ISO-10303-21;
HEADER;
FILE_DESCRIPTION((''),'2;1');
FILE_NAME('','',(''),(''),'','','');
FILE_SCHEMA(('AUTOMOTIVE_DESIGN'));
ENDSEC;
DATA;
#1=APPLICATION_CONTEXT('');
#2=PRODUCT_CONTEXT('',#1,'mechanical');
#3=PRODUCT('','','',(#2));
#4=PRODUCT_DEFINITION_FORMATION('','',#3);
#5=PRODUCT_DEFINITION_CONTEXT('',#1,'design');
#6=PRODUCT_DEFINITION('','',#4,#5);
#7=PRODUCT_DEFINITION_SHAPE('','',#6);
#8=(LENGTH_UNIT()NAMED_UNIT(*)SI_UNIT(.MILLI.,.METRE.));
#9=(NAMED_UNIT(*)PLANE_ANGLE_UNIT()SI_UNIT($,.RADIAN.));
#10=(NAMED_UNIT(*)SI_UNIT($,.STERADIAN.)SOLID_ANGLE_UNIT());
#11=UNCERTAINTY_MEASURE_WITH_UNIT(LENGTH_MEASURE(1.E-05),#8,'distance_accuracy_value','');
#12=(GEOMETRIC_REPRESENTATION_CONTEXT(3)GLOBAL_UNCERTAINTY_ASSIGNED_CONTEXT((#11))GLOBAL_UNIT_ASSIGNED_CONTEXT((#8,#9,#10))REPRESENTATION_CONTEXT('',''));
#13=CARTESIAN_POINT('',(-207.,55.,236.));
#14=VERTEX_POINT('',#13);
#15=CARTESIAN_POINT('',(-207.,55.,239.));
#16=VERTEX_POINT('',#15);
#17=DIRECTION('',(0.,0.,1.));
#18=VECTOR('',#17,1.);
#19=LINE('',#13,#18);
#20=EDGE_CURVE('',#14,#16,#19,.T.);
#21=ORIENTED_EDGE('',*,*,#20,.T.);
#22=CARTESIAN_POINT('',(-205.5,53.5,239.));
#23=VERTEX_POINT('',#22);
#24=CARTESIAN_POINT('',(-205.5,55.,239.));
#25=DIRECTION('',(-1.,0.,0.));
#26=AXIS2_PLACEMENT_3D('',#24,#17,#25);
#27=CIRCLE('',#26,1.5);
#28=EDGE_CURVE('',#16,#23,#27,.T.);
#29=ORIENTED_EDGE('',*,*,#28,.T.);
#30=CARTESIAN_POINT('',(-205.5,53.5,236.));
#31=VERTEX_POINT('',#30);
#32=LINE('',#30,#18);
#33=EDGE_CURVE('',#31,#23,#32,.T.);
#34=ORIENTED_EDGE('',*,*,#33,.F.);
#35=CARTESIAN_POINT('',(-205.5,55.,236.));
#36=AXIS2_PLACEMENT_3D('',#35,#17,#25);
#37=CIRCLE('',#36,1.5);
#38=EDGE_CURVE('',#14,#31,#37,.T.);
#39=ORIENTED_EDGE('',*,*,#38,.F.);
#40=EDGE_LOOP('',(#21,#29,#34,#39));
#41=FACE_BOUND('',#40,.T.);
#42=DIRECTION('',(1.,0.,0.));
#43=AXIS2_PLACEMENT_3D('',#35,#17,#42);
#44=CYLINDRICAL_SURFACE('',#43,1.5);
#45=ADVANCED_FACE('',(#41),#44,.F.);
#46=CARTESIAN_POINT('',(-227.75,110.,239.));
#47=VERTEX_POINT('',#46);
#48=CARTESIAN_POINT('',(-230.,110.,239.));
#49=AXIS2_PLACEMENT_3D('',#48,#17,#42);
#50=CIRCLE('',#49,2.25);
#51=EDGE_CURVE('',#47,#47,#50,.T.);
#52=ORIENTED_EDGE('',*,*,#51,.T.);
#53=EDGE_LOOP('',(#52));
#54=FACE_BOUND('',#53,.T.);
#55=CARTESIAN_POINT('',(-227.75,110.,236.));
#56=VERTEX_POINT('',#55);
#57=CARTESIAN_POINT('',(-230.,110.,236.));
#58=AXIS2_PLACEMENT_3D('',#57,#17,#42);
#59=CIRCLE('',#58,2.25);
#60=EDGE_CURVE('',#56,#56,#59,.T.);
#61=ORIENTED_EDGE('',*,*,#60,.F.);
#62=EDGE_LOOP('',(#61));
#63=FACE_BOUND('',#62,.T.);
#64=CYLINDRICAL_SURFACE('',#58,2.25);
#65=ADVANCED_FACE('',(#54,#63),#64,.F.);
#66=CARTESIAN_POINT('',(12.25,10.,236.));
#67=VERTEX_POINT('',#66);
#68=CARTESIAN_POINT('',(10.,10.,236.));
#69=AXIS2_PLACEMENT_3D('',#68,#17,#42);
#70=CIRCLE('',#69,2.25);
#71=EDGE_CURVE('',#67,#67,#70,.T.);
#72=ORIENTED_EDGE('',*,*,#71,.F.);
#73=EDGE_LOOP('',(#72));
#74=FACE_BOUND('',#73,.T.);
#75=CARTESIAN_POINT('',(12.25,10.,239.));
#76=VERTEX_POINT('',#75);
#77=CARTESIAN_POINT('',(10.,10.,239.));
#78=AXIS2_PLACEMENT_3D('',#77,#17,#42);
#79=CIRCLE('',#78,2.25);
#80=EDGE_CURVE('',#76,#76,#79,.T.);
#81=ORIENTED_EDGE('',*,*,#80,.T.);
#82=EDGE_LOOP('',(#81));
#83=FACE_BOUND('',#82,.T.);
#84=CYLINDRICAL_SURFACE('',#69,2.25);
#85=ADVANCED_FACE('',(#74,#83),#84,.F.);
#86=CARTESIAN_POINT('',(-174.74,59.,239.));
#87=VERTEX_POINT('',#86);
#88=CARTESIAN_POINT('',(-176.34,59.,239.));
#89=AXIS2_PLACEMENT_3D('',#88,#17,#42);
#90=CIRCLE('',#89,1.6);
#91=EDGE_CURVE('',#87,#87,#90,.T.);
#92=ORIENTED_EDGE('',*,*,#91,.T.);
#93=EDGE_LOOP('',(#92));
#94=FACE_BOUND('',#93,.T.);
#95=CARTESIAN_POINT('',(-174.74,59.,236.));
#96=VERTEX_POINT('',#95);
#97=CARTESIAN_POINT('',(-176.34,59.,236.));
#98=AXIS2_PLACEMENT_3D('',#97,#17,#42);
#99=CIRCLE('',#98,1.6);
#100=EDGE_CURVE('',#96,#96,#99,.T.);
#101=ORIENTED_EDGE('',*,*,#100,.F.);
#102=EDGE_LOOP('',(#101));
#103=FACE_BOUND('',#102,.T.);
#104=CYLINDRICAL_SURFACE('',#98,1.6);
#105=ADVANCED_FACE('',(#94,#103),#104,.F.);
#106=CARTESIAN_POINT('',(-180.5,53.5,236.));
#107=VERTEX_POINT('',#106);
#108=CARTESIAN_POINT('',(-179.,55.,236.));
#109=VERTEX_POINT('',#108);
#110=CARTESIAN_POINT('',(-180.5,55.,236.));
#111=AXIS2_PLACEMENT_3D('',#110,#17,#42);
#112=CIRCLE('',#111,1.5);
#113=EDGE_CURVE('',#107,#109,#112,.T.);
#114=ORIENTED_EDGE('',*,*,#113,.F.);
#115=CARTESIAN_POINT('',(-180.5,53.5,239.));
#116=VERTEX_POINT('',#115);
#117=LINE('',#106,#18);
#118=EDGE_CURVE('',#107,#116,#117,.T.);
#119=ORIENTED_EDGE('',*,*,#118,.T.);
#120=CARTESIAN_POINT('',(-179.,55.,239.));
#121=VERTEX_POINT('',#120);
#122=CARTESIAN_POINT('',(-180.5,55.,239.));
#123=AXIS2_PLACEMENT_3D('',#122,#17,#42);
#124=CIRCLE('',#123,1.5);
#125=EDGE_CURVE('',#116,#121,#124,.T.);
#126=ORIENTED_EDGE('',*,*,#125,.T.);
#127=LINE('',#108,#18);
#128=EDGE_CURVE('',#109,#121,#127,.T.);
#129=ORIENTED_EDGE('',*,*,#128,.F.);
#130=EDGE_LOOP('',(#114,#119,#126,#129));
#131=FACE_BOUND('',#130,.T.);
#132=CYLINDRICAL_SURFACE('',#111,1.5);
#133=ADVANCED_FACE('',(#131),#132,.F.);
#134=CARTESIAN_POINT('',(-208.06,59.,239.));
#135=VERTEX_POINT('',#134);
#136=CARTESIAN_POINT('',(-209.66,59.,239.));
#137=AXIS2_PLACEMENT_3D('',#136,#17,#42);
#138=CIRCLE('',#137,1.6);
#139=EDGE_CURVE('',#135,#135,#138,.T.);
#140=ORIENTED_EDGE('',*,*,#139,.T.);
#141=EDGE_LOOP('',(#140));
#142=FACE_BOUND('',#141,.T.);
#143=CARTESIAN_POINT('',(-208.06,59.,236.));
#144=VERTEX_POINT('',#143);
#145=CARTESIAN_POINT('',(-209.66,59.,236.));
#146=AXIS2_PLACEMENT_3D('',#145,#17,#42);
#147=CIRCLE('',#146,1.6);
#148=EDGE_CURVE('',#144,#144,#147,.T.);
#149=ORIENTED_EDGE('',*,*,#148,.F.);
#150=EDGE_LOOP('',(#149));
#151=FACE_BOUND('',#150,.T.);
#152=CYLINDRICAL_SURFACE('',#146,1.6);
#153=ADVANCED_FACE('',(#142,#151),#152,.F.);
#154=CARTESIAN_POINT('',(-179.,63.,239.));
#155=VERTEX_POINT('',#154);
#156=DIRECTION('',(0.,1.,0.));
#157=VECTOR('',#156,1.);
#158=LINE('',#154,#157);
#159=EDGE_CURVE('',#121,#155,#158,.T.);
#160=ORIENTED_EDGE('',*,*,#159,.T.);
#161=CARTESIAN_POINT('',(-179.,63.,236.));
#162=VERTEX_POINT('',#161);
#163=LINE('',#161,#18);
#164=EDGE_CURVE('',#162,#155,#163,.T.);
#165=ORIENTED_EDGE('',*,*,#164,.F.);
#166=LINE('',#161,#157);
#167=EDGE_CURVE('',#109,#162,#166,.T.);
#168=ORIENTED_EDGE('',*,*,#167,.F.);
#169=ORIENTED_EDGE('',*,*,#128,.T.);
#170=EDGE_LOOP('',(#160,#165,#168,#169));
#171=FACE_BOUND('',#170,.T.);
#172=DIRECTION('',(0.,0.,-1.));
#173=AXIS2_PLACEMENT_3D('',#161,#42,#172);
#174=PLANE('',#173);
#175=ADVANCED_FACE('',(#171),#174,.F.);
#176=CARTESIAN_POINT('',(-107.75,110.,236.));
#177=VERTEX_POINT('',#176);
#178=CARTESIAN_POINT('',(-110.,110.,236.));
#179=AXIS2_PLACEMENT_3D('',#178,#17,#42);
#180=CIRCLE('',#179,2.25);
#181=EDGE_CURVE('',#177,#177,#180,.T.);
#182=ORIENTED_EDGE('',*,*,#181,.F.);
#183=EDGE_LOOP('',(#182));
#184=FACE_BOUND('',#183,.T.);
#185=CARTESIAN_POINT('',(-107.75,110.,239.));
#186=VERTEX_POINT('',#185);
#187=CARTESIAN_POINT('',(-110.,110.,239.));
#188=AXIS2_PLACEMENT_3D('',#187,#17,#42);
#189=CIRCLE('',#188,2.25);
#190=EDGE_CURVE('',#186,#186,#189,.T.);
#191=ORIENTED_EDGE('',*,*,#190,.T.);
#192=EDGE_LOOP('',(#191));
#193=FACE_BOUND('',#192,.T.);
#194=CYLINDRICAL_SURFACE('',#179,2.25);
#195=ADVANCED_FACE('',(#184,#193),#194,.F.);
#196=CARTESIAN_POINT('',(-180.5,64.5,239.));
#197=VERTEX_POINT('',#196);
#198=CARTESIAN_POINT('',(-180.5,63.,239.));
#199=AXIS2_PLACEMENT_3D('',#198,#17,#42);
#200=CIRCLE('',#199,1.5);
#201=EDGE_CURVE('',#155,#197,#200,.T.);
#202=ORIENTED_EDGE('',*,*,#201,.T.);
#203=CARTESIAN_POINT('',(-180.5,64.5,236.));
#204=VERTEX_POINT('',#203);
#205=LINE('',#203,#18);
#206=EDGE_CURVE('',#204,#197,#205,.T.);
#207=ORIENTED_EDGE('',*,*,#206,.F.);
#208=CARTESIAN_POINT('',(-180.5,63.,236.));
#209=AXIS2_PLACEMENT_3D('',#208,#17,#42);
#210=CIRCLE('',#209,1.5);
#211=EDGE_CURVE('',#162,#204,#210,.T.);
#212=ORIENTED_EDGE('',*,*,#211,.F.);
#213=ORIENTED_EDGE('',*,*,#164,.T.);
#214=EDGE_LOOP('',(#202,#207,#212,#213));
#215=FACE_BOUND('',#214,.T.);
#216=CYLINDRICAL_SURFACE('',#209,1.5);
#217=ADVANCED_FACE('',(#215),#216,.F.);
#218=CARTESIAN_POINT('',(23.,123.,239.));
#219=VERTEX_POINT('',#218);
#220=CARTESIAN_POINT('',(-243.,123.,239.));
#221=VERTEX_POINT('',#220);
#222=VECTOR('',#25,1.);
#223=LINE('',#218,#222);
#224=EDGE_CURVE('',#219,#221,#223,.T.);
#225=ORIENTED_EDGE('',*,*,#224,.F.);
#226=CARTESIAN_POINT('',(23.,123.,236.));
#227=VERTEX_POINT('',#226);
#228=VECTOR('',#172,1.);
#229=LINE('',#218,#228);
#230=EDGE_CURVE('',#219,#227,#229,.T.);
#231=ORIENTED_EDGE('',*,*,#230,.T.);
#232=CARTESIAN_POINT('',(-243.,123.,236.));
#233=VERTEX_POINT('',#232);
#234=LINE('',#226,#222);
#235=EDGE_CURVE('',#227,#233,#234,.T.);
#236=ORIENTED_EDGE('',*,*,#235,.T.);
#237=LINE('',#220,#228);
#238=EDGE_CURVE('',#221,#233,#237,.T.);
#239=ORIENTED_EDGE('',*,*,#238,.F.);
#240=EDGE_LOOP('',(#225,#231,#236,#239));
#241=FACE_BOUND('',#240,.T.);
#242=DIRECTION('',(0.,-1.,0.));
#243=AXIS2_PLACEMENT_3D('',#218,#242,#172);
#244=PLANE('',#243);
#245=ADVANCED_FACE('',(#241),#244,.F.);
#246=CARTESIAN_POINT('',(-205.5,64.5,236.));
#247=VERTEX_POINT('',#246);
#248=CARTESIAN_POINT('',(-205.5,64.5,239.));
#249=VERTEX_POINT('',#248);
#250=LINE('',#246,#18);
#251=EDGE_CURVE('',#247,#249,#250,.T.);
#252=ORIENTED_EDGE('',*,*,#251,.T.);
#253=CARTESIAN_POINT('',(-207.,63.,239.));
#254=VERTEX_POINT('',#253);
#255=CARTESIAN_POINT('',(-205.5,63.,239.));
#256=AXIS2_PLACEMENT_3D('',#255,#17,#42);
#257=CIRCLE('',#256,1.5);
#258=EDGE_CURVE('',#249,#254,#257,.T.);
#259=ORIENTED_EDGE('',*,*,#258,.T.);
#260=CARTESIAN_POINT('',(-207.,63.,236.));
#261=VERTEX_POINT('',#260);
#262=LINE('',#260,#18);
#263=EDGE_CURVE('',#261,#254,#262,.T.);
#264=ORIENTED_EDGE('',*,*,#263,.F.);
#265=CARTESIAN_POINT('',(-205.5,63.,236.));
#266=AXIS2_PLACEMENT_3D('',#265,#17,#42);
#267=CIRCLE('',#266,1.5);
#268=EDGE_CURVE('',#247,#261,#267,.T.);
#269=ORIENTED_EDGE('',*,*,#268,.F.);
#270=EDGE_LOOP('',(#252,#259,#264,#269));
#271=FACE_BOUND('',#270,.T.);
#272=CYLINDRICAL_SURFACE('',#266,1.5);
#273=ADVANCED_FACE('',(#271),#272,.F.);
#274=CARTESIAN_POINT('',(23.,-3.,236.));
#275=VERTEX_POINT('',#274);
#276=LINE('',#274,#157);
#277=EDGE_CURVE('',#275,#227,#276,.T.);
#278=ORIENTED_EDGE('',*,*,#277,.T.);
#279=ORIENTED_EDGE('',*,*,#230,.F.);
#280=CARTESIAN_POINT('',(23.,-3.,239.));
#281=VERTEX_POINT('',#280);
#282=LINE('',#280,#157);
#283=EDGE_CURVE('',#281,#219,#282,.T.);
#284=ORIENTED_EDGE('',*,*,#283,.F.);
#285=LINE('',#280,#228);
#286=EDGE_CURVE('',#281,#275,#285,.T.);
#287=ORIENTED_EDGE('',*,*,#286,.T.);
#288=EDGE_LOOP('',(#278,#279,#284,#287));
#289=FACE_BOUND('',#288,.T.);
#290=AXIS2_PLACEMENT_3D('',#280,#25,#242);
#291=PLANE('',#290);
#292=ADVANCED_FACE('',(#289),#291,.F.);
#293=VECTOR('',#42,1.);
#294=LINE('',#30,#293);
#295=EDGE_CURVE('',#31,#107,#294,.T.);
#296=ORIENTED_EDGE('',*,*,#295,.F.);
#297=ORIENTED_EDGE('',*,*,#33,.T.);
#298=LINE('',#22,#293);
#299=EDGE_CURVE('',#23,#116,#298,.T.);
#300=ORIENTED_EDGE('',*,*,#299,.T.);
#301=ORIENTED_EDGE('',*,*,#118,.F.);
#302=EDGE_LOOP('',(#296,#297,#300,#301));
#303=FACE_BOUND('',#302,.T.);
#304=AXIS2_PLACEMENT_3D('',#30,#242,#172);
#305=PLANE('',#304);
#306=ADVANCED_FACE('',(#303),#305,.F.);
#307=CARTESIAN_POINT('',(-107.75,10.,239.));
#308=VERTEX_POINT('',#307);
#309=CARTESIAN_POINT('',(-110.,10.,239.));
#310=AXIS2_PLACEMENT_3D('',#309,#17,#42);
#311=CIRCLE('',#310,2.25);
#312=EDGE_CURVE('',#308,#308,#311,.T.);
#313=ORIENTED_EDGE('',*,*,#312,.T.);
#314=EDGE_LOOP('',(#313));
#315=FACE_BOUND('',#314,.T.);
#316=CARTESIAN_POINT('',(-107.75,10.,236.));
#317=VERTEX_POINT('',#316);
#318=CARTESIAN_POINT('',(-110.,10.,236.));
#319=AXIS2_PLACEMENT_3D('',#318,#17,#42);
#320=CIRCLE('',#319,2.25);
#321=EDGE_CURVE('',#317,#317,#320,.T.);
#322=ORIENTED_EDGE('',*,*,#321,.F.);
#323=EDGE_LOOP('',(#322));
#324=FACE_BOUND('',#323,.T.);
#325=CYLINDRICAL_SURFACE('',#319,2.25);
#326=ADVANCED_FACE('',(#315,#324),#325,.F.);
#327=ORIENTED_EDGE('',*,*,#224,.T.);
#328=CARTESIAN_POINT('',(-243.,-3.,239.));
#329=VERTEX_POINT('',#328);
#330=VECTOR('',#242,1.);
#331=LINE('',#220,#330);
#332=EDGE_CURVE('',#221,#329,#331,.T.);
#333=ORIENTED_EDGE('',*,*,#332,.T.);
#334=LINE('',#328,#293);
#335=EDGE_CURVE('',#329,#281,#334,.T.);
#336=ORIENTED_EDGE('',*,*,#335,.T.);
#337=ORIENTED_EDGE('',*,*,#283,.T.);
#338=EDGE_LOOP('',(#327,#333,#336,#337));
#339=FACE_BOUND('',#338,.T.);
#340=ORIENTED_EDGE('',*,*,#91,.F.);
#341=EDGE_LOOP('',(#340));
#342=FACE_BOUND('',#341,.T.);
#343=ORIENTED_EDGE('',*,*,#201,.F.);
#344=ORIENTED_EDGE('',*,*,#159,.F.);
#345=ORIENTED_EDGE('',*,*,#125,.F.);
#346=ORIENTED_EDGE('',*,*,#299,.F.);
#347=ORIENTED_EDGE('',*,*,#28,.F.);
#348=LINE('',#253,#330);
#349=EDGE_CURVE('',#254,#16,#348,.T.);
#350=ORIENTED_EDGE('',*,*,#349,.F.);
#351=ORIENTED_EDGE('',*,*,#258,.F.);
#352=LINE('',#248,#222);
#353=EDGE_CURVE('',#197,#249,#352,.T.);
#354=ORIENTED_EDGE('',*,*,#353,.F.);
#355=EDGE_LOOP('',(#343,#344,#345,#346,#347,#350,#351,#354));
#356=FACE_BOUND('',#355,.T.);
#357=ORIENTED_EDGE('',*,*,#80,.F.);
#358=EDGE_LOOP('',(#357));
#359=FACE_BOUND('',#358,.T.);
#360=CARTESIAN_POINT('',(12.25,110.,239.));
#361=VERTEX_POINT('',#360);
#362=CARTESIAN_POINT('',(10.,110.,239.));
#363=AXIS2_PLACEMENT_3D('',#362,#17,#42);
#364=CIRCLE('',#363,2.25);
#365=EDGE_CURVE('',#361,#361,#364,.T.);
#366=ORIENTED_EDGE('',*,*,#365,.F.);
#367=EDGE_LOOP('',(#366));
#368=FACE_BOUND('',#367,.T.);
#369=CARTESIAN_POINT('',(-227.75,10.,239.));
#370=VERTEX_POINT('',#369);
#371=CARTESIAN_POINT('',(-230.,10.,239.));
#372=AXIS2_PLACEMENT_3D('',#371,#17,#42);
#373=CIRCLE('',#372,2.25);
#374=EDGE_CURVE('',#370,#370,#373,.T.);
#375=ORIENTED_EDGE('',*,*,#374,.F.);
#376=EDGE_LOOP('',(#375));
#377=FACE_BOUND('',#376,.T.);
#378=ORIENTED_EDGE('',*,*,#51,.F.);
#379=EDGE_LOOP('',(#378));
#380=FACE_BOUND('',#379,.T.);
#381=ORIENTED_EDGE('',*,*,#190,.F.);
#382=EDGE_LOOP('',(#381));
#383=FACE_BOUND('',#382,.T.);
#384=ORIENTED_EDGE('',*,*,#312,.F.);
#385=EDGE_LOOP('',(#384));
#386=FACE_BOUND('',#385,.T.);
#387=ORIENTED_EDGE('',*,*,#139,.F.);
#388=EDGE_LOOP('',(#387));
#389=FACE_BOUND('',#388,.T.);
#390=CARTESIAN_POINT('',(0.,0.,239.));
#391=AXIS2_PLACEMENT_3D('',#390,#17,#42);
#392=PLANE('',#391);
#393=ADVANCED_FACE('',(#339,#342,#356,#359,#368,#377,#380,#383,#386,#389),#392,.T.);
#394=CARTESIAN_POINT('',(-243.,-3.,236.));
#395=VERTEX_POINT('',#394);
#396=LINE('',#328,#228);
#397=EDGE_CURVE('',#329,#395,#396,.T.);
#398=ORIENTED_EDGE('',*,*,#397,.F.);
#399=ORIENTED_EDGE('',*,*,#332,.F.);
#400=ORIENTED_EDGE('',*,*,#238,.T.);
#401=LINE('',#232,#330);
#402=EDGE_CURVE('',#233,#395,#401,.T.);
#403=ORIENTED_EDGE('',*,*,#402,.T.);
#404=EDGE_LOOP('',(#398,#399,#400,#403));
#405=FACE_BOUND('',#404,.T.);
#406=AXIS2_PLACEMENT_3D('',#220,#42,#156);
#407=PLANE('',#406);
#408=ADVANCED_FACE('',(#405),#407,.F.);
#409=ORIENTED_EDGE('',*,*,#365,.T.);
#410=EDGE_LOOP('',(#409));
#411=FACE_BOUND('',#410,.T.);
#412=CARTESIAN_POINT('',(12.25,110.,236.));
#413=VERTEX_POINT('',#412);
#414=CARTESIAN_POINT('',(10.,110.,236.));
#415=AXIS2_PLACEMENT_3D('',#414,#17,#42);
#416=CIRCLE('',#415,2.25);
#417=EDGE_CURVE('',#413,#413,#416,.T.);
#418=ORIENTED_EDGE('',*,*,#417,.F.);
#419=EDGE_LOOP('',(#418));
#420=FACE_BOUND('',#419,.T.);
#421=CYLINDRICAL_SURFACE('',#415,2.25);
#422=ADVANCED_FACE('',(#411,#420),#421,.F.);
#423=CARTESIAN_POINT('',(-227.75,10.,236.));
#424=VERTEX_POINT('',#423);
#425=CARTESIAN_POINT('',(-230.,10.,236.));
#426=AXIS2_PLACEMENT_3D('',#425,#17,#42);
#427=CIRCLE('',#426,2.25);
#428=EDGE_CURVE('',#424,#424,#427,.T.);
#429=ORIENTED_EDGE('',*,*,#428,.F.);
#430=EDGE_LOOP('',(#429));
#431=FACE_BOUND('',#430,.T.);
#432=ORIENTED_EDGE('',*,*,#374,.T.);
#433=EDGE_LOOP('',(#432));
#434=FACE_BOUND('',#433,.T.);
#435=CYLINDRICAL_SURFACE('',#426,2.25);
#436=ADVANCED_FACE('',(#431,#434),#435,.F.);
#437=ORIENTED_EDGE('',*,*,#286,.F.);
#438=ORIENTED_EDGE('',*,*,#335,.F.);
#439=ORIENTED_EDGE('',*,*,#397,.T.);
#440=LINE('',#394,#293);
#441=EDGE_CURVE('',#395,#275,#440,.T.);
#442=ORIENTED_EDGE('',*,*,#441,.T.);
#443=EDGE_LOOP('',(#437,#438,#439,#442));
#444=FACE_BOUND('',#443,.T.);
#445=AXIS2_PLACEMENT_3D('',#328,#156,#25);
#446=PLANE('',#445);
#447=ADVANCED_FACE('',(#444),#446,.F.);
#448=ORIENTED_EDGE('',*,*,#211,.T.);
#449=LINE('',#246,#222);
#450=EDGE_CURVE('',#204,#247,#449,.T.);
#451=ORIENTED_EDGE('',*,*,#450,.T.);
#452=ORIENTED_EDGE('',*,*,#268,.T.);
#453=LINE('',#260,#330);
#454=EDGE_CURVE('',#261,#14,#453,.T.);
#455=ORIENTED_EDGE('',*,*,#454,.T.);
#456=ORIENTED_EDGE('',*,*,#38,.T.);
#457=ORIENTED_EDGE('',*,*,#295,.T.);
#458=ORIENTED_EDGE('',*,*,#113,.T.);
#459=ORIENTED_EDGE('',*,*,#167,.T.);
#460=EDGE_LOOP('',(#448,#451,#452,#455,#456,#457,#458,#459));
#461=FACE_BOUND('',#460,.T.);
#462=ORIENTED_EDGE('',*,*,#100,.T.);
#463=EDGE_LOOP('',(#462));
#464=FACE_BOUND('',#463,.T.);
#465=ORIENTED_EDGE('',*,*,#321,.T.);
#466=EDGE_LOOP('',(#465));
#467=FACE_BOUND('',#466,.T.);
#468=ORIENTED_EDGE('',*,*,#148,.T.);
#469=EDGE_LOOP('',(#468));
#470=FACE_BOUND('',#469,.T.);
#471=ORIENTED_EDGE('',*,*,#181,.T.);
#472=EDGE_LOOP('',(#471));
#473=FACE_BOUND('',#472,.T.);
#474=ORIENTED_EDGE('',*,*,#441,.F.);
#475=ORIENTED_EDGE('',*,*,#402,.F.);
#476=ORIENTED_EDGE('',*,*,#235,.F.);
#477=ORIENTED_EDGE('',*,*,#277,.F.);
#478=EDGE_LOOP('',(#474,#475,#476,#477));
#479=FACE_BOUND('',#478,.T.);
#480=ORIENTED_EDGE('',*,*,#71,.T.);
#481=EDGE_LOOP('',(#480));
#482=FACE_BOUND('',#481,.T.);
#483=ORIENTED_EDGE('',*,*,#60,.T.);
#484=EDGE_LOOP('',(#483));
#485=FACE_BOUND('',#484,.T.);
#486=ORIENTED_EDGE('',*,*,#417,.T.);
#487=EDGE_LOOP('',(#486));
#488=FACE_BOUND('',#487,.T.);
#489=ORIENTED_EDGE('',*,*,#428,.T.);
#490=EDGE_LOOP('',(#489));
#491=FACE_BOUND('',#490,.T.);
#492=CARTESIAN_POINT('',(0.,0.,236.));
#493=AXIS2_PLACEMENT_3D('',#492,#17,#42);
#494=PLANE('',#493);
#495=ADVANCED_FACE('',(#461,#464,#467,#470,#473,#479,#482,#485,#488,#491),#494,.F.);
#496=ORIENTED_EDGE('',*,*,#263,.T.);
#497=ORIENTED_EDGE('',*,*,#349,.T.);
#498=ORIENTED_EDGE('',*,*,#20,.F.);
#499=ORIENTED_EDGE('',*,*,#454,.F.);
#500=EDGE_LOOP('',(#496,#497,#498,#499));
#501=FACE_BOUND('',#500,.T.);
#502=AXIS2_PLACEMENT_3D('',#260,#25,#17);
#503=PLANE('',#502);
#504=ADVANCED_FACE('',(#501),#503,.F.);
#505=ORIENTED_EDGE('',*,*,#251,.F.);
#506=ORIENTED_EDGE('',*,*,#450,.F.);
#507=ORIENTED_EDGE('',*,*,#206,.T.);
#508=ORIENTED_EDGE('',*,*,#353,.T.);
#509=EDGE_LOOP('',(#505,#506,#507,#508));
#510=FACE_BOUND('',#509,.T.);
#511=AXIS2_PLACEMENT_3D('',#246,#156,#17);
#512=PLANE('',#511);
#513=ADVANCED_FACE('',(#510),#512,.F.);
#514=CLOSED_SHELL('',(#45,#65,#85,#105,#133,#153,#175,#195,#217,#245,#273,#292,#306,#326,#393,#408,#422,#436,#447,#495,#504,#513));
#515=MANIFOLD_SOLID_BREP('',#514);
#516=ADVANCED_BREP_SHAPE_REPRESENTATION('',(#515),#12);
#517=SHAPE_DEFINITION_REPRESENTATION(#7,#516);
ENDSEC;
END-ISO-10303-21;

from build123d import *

# Parameters (mm, degrees)
SKETCH_1_W          = 266
SKETCH_1_H          = 126
EXTRUDE_1_DEPTH     = 3
SKETCH_2_R          = 2.25
CUT_EXTRUDE_1_DEPTH = 4
SKETCH1_R           = 1.6
CUT_EXTRUDE1_DEPTH  = 4


with BuildPart() as part:
    # Эскиз1 → Бобышка-Вытянуть1 (new body)
    with BuildSketch(Plane.XY.offset(236)):
        with Locations((-110, 60)):
            Rectangle(SKETCH_1_W, SKETCH_1_H)
    extrude(amount=EXTRUDE_1_DEPTH)

    # Эскиз2 → Вырез-Вытянуть1 (cut, through all)
    with BuildSketch(Plane.XY.offset(239)):
        with Locations((-230, 110)):
            Circle(SKETCH_2_R)
        with Locations((-110, 110)):
            Circle(SKETCH_2_R)
        with Locations((10, 110)):
            Circle(SKETCH_2_R)
        with Locations((10, 10)):
            Circle(SKETCH_2_R)
        with Locations((-110, 10)):
            Circle(SKETCH_2_R)
        with Locations((-230, 10)):
            Circle(SKETCH_2_R)
    extrude(amount=-CUT_EXTRUDE_1_DEPTH, mode=Mode.SUBTRACT)

    # Sketch1 → Cut-Extrude1 (cut, through all)
    with BuildSketch(Plane.XY.offset(239)):
        with Locations((-209.66, 59)):
            Circle(SKETCH1_R)
        with Locations((-176.34, 59)):
            Circle(SKETCH1_R)
        with BuildLine():
            Line((-207, 63), (-207, 55))
            ThreePointArc((-207, 55), (-206.560660172, 53.939339828), (-205.5, 53.5))
            Line((-205.5, 53.5), (-180.5, 53.5))
            ThreePointArc((-180.5, 53.5), (-179.439339828, 53.939339828), (-179, 55))
            Line((-179, 55), (-179, 63))
            ThreePointArc((-179, 63), (-179.439339828, 64.060660172), (-180.5, 64.5))
            Line((-180.5, 64.5), (-205.5, 64.5))
            ThreePointArc((-205.5, 64.5), (-206.560660172, 64.060660172), (-207, 63))
        make_face()
    extrude(amount=-CUT_EXTRUDE1_DEPTH, mode=Mode.SUBTRACT)


solid = part.part
